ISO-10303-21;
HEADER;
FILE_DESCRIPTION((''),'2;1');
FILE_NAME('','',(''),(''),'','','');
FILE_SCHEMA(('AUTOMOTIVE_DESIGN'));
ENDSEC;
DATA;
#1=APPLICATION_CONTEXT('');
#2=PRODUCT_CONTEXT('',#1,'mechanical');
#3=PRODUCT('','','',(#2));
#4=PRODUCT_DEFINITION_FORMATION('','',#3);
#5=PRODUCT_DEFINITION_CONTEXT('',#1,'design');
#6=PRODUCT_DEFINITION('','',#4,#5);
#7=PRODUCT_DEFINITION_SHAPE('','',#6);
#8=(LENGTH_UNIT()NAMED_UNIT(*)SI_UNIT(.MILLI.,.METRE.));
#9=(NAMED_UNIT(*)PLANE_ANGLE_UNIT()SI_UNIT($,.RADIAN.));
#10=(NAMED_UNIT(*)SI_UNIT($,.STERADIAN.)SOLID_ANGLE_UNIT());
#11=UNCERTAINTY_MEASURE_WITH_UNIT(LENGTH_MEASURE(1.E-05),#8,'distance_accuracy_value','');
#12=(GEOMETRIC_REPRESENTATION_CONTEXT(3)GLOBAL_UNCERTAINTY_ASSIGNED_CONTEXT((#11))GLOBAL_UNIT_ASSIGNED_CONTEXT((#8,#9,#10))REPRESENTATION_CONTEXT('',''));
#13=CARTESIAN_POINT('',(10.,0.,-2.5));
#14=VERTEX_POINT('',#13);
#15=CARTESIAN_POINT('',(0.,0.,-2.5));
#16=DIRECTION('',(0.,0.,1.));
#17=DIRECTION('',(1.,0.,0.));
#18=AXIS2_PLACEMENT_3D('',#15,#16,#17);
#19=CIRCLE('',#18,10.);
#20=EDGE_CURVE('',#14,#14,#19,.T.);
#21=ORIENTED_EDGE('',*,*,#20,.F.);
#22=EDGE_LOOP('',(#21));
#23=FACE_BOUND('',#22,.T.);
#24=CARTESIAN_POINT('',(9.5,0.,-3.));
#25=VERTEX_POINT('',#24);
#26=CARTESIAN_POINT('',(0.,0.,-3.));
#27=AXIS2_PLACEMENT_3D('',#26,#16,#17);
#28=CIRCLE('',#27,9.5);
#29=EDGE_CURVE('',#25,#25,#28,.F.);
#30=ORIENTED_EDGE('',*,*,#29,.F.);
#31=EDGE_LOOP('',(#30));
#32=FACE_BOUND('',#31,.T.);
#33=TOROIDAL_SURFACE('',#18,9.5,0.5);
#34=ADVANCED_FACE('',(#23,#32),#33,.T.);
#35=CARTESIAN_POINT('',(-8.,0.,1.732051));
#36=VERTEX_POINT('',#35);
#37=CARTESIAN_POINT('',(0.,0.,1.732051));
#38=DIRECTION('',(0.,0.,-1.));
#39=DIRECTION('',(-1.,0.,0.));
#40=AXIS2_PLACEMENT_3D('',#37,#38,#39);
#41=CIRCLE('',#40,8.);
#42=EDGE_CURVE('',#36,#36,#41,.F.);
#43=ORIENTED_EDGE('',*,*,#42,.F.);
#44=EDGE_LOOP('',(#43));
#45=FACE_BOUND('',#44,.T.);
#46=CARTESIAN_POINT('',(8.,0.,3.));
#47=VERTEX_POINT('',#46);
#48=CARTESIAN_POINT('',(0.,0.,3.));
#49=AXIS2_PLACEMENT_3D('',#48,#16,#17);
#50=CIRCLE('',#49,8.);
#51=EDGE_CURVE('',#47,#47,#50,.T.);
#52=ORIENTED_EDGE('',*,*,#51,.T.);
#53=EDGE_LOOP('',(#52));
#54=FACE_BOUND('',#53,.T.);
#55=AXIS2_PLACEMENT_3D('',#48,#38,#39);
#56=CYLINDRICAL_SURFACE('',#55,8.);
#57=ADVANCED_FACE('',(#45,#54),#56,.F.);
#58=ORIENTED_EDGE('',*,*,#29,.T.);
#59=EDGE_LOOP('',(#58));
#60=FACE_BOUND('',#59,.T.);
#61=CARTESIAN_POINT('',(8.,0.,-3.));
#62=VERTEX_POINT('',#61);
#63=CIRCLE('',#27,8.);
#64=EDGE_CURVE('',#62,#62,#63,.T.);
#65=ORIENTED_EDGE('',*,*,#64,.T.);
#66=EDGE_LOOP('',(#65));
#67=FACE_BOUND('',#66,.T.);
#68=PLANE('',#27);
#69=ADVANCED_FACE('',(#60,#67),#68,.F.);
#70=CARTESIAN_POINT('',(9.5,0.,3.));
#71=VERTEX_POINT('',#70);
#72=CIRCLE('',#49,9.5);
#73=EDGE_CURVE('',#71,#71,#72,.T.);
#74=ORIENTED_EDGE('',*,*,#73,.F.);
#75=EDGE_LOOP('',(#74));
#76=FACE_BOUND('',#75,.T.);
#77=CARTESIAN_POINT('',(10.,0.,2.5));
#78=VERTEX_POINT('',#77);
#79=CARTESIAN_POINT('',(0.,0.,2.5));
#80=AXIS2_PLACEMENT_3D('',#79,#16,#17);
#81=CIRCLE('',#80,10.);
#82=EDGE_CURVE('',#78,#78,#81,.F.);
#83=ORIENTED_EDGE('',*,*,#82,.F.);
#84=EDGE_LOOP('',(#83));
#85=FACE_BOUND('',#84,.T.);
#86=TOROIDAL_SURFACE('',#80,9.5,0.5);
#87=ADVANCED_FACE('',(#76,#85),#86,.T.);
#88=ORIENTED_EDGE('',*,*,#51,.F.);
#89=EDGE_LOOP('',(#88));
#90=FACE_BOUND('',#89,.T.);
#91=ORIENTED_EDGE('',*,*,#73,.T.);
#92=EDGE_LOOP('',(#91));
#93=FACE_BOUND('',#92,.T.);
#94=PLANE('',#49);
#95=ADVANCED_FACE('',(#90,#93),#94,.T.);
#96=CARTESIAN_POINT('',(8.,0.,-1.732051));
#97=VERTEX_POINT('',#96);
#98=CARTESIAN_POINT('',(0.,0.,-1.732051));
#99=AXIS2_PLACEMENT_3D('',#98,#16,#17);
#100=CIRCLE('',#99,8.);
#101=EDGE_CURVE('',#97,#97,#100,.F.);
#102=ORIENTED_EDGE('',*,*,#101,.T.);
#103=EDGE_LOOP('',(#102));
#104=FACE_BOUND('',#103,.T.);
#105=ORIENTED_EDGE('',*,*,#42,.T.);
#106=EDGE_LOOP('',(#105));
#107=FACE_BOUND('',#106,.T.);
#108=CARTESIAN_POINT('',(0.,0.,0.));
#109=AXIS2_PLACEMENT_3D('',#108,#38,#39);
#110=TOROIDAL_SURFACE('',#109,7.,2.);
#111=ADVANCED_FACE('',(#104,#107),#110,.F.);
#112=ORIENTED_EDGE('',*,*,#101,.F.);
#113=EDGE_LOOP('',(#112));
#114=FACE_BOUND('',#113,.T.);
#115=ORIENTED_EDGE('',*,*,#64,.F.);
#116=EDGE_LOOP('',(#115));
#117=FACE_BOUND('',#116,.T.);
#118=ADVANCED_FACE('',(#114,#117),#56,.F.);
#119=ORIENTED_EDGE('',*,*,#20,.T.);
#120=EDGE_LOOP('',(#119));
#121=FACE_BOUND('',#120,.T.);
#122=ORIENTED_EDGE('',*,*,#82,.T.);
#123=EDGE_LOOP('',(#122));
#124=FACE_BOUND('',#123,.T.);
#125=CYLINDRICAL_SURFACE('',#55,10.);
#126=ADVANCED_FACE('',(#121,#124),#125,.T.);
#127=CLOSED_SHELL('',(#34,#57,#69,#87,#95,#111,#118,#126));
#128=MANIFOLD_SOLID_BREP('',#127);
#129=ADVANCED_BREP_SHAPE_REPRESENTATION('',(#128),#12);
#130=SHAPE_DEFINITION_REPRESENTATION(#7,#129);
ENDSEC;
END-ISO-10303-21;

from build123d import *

# Parameters (mm, degrees)
SKETCH1_R           = 10
SKETCH1_R_2         = 8
BOSS_EXTRUDE1_DEPTH = 3
SKETCH2_R           = 2
FILLET1_R           = 0.5


with BuildPart() as part:
    # Sketch1 → Boss-Extrude1 (new, symmetric)
    with BuildSketch(Plane.XY):
        Circle(SKETCH1_R)
        Circle(SKETCH1_R_2, mode=Mode.SUBTRACT)
    extrude(amount=BOSS_EXTRUDE1_DEPTH, both=True)

    # Sketch2 → Cut-Revolve1 (revolve, cut)
    with BuildSketch(Plane(origin=(0, 0, 0), x_dir=(1, 0, 0), z_dir=(0, 1, 0))):
        with Locations((-7, 0)):
            Circle(SKETCH2_R)
    revolve(axis=Axis((0, 0, -1.800319694), (0, 0, 1)), mode=Mode.SUBTRACT)

    # Fillet1
    fillet1_edges = [part.edges().sort_by_distance(p)[0] for p in [
        (-10, 0, -3),
        (-10, 0, 3),
    ]]
    fillet(fillet1_edges, radius=FILLET1_R)


solid = part.part
